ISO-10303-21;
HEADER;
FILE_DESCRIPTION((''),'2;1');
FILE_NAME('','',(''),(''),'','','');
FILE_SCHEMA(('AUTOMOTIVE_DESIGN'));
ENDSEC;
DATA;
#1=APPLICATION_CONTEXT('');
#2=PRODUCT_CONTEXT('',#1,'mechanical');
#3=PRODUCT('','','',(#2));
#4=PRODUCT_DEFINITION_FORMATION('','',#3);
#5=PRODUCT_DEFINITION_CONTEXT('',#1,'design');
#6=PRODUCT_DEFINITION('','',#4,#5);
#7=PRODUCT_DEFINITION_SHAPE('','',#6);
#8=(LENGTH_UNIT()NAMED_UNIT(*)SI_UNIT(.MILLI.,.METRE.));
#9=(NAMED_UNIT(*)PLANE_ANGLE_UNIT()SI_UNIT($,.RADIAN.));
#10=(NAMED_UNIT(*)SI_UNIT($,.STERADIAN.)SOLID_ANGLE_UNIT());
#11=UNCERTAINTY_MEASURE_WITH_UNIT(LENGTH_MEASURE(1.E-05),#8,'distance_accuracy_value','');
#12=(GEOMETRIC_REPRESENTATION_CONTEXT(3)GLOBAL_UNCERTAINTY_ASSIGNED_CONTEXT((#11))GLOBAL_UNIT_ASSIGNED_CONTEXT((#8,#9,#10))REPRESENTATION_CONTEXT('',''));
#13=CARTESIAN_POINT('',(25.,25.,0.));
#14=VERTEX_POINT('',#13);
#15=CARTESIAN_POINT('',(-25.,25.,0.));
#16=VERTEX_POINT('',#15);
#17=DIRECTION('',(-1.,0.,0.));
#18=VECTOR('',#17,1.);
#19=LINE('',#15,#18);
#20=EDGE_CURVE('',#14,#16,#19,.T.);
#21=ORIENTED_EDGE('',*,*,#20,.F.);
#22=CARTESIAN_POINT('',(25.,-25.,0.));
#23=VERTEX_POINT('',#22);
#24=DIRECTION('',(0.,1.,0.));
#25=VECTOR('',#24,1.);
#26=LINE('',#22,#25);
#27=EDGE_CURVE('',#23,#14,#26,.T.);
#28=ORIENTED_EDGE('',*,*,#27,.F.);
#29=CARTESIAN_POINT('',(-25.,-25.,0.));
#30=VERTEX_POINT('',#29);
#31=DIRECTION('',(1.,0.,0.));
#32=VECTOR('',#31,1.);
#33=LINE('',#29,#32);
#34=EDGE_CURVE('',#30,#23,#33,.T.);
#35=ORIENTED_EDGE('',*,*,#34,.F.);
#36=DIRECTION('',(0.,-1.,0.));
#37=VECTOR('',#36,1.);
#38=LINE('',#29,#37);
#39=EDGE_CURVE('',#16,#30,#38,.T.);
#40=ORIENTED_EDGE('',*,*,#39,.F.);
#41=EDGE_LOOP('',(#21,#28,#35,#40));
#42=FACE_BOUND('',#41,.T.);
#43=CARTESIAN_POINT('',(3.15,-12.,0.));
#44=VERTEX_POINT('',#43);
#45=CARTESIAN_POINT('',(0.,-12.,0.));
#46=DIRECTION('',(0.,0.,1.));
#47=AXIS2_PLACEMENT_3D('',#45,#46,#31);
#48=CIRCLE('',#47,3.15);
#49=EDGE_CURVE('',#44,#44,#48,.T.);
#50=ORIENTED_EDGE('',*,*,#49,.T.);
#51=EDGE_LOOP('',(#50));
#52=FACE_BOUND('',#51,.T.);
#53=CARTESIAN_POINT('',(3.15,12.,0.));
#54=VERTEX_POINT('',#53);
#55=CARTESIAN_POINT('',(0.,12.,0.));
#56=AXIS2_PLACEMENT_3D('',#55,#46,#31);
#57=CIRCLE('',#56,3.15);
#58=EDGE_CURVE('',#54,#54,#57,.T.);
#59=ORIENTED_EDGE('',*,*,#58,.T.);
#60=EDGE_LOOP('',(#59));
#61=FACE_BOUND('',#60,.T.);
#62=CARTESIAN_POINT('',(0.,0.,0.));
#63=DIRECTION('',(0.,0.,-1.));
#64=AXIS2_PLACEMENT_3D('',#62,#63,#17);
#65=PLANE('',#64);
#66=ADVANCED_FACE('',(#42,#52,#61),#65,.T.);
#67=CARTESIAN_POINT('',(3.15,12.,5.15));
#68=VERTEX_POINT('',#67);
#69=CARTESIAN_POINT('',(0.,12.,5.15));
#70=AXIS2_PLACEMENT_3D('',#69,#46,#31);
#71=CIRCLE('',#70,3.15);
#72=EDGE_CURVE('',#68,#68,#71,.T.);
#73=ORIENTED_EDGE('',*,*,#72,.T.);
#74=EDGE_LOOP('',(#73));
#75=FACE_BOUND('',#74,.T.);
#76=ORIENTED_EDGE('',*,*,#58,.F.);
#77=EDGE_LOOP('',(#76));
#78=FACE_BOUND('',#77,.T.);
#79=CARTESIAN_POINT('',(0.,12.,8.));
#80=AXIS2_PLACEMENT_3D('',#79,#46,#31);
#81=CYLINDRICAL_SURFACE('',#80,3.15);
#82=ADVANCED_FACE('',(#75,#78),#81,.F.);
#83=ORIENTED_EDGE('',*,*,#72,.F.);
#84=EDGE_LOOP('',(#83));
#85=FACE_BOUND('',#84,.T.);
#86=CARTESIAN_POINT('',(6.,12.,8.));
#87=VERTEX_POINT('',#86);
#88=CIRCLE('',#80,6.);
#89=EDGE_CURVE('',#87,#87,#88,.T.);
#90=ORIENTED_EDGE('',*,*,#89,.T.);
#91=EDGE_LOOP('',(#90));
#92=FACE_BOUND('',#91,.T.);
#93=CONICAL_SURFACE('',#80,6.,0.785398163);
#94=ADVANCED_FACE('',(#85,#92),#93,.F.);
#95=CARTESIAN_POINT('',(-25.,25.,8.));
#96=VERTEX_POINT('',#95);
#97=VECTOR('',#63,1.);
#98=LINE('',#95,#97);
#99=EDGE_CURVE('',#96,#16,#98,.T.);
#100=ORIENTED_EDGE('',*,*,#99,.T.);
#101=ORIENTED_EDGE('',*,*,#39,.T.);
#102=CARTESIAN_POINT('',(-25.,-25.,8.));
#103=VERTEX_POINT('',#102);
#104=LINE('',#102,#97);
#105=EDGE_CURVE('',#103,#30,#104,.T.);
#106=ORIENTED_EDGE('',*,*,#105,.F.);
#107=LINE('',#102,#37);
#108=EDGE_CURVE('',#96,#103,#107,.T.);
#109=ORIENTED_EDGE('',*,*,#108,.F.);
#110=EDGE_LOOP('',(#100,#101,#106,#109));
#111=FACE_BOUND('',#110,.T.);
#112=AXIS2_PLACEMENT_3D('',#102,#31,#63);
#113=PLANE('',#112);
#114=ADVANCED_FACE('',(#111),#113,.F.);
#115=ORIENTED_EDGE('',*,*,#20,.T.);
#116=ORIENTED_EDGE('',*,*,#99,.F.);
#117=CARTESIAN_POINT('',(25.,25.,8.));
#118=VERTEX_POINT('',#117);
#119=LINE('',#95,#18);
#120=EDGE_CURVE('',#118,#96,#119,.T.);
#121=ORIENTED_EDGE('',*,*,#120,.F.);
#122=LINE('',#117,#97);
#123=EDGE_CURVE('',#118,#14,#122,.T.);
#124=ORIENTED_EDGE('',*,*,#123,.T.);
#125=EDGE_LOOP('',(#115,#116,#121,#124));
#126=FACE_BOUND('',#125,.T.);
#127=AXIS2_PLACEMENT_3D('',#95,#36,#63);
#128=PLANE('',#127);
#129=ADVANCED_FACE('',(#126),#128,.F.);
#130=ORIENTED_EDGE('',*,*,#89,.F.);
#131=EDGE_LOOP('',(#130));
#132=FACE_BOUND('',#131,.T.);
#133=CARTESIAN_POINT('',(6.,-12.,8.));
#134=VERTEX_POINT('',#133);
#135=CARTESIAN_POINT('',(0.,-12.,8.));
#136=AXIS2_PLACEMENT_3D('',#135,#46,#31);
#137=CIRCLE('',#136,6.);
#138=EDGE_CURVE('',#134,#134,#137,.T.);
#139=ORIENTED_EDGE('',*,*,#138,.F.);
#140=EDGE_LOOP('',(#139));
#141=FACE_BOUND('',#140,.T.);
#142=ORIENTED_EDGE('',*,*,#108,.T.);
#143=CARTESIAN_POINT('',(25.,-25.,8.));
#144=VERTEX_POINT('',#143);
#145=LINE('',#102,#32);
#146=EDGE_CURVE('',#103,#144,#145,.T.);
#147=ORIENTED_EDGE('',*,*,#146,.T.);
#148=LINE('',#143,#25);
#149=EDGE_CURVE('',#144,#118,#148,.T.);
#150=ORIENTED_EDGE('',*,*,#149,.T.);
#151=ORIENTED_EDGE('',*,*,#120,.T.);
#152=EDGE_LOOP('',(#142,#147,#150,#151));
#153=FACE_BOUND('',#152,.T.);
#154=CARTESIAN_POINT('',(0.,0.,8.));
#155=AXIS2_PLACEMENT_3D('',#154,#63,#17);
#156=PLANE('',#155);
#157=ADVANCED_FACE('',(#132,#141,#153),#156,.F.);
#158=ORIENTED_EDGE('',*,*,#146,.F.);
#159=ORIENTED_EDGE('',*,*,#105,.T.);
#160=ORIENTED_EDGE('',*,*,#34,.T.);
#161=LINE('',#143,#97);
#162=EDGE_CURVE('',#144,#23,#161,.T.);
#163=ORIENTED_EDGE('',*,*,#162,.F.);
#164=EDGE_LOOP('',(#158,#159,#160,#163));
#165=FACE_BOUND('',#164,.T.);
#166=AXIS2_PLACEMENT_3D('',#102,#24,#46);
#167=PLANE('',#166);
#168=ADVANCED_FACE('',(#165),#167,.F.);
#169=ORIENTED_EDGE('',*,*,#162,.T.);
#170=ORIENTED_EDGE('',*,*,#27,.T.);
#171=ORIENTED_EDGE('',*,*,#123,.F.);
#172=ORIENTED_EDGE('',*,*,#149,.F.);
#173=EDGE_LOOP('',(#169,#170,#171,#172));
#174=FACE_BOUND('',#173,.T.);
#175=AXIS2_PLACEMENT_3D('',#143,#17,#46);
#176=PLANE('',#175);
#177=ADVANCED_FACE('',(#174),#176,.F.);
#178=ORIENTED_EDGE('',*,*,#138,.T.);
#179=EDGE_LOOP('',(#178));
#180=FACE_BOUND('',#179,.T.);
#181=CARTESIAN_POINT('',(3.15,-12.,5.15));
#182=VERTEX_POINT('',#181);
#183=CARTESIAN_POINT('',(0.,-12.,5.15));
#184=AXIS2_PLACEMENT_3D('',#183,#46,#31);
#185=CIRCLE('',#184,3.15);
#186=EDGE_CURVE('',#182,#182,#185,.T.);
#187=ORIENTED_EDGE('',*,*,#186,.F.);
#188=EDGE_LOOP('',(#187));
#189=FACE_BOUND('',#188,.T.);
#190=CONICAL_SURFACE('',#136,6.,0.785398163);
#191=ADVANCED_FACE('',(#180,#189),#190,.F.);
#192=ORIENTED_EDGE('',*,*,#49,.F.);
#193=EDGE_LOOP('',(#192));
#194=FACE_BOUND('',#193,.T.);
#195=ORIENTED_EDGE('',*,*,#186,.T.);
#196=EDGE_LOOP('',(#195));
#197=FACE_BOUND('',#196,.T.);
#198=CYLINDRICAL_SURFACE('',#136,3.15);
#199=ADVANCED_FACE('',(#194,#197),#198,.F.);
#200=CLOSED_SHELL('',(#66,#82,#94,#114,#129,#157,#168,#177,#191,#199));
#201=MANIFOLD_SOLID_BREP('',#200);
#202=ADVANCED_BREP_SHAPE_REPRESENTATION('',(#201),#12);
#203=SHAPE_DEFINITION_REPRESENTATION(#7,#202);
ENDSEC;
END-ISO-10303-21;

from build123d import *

# Parameters (mm, degrees)
SKETCH1_W           = 50
SKETCH1_H           = 50
BOSS_EXTRUDE1_DEPTH = 8
HOLE1_D             = 6.3
HOLE1_CSINK_D       = 12
HOLE1_CSINK_ANGLE   = 90


with BuildPart() as part:
    # Sketch1 → Boss-Extrude1 (new body)
    with BuildSketch(Plane.XY):
        Rectangle(SKETCH1_W, SKETCH1_H)
    extrude(amount=BOSS_EXTRUDE1_DEPTH)

    # Hole1 (through all)
    with Locations(Plane(origin=(0, 12, 8), x_dir=(1, 0, 0), z_dir=(0, 0, 1))):
        with Locations((0, 0), (0, -24)):
            CounterSinkHole(HOLE1_D / 2, HOLE1_CSINK_D / 2, counter_sink_angle=HOLE1_CSINK_ANGLE)


solid = part.part
